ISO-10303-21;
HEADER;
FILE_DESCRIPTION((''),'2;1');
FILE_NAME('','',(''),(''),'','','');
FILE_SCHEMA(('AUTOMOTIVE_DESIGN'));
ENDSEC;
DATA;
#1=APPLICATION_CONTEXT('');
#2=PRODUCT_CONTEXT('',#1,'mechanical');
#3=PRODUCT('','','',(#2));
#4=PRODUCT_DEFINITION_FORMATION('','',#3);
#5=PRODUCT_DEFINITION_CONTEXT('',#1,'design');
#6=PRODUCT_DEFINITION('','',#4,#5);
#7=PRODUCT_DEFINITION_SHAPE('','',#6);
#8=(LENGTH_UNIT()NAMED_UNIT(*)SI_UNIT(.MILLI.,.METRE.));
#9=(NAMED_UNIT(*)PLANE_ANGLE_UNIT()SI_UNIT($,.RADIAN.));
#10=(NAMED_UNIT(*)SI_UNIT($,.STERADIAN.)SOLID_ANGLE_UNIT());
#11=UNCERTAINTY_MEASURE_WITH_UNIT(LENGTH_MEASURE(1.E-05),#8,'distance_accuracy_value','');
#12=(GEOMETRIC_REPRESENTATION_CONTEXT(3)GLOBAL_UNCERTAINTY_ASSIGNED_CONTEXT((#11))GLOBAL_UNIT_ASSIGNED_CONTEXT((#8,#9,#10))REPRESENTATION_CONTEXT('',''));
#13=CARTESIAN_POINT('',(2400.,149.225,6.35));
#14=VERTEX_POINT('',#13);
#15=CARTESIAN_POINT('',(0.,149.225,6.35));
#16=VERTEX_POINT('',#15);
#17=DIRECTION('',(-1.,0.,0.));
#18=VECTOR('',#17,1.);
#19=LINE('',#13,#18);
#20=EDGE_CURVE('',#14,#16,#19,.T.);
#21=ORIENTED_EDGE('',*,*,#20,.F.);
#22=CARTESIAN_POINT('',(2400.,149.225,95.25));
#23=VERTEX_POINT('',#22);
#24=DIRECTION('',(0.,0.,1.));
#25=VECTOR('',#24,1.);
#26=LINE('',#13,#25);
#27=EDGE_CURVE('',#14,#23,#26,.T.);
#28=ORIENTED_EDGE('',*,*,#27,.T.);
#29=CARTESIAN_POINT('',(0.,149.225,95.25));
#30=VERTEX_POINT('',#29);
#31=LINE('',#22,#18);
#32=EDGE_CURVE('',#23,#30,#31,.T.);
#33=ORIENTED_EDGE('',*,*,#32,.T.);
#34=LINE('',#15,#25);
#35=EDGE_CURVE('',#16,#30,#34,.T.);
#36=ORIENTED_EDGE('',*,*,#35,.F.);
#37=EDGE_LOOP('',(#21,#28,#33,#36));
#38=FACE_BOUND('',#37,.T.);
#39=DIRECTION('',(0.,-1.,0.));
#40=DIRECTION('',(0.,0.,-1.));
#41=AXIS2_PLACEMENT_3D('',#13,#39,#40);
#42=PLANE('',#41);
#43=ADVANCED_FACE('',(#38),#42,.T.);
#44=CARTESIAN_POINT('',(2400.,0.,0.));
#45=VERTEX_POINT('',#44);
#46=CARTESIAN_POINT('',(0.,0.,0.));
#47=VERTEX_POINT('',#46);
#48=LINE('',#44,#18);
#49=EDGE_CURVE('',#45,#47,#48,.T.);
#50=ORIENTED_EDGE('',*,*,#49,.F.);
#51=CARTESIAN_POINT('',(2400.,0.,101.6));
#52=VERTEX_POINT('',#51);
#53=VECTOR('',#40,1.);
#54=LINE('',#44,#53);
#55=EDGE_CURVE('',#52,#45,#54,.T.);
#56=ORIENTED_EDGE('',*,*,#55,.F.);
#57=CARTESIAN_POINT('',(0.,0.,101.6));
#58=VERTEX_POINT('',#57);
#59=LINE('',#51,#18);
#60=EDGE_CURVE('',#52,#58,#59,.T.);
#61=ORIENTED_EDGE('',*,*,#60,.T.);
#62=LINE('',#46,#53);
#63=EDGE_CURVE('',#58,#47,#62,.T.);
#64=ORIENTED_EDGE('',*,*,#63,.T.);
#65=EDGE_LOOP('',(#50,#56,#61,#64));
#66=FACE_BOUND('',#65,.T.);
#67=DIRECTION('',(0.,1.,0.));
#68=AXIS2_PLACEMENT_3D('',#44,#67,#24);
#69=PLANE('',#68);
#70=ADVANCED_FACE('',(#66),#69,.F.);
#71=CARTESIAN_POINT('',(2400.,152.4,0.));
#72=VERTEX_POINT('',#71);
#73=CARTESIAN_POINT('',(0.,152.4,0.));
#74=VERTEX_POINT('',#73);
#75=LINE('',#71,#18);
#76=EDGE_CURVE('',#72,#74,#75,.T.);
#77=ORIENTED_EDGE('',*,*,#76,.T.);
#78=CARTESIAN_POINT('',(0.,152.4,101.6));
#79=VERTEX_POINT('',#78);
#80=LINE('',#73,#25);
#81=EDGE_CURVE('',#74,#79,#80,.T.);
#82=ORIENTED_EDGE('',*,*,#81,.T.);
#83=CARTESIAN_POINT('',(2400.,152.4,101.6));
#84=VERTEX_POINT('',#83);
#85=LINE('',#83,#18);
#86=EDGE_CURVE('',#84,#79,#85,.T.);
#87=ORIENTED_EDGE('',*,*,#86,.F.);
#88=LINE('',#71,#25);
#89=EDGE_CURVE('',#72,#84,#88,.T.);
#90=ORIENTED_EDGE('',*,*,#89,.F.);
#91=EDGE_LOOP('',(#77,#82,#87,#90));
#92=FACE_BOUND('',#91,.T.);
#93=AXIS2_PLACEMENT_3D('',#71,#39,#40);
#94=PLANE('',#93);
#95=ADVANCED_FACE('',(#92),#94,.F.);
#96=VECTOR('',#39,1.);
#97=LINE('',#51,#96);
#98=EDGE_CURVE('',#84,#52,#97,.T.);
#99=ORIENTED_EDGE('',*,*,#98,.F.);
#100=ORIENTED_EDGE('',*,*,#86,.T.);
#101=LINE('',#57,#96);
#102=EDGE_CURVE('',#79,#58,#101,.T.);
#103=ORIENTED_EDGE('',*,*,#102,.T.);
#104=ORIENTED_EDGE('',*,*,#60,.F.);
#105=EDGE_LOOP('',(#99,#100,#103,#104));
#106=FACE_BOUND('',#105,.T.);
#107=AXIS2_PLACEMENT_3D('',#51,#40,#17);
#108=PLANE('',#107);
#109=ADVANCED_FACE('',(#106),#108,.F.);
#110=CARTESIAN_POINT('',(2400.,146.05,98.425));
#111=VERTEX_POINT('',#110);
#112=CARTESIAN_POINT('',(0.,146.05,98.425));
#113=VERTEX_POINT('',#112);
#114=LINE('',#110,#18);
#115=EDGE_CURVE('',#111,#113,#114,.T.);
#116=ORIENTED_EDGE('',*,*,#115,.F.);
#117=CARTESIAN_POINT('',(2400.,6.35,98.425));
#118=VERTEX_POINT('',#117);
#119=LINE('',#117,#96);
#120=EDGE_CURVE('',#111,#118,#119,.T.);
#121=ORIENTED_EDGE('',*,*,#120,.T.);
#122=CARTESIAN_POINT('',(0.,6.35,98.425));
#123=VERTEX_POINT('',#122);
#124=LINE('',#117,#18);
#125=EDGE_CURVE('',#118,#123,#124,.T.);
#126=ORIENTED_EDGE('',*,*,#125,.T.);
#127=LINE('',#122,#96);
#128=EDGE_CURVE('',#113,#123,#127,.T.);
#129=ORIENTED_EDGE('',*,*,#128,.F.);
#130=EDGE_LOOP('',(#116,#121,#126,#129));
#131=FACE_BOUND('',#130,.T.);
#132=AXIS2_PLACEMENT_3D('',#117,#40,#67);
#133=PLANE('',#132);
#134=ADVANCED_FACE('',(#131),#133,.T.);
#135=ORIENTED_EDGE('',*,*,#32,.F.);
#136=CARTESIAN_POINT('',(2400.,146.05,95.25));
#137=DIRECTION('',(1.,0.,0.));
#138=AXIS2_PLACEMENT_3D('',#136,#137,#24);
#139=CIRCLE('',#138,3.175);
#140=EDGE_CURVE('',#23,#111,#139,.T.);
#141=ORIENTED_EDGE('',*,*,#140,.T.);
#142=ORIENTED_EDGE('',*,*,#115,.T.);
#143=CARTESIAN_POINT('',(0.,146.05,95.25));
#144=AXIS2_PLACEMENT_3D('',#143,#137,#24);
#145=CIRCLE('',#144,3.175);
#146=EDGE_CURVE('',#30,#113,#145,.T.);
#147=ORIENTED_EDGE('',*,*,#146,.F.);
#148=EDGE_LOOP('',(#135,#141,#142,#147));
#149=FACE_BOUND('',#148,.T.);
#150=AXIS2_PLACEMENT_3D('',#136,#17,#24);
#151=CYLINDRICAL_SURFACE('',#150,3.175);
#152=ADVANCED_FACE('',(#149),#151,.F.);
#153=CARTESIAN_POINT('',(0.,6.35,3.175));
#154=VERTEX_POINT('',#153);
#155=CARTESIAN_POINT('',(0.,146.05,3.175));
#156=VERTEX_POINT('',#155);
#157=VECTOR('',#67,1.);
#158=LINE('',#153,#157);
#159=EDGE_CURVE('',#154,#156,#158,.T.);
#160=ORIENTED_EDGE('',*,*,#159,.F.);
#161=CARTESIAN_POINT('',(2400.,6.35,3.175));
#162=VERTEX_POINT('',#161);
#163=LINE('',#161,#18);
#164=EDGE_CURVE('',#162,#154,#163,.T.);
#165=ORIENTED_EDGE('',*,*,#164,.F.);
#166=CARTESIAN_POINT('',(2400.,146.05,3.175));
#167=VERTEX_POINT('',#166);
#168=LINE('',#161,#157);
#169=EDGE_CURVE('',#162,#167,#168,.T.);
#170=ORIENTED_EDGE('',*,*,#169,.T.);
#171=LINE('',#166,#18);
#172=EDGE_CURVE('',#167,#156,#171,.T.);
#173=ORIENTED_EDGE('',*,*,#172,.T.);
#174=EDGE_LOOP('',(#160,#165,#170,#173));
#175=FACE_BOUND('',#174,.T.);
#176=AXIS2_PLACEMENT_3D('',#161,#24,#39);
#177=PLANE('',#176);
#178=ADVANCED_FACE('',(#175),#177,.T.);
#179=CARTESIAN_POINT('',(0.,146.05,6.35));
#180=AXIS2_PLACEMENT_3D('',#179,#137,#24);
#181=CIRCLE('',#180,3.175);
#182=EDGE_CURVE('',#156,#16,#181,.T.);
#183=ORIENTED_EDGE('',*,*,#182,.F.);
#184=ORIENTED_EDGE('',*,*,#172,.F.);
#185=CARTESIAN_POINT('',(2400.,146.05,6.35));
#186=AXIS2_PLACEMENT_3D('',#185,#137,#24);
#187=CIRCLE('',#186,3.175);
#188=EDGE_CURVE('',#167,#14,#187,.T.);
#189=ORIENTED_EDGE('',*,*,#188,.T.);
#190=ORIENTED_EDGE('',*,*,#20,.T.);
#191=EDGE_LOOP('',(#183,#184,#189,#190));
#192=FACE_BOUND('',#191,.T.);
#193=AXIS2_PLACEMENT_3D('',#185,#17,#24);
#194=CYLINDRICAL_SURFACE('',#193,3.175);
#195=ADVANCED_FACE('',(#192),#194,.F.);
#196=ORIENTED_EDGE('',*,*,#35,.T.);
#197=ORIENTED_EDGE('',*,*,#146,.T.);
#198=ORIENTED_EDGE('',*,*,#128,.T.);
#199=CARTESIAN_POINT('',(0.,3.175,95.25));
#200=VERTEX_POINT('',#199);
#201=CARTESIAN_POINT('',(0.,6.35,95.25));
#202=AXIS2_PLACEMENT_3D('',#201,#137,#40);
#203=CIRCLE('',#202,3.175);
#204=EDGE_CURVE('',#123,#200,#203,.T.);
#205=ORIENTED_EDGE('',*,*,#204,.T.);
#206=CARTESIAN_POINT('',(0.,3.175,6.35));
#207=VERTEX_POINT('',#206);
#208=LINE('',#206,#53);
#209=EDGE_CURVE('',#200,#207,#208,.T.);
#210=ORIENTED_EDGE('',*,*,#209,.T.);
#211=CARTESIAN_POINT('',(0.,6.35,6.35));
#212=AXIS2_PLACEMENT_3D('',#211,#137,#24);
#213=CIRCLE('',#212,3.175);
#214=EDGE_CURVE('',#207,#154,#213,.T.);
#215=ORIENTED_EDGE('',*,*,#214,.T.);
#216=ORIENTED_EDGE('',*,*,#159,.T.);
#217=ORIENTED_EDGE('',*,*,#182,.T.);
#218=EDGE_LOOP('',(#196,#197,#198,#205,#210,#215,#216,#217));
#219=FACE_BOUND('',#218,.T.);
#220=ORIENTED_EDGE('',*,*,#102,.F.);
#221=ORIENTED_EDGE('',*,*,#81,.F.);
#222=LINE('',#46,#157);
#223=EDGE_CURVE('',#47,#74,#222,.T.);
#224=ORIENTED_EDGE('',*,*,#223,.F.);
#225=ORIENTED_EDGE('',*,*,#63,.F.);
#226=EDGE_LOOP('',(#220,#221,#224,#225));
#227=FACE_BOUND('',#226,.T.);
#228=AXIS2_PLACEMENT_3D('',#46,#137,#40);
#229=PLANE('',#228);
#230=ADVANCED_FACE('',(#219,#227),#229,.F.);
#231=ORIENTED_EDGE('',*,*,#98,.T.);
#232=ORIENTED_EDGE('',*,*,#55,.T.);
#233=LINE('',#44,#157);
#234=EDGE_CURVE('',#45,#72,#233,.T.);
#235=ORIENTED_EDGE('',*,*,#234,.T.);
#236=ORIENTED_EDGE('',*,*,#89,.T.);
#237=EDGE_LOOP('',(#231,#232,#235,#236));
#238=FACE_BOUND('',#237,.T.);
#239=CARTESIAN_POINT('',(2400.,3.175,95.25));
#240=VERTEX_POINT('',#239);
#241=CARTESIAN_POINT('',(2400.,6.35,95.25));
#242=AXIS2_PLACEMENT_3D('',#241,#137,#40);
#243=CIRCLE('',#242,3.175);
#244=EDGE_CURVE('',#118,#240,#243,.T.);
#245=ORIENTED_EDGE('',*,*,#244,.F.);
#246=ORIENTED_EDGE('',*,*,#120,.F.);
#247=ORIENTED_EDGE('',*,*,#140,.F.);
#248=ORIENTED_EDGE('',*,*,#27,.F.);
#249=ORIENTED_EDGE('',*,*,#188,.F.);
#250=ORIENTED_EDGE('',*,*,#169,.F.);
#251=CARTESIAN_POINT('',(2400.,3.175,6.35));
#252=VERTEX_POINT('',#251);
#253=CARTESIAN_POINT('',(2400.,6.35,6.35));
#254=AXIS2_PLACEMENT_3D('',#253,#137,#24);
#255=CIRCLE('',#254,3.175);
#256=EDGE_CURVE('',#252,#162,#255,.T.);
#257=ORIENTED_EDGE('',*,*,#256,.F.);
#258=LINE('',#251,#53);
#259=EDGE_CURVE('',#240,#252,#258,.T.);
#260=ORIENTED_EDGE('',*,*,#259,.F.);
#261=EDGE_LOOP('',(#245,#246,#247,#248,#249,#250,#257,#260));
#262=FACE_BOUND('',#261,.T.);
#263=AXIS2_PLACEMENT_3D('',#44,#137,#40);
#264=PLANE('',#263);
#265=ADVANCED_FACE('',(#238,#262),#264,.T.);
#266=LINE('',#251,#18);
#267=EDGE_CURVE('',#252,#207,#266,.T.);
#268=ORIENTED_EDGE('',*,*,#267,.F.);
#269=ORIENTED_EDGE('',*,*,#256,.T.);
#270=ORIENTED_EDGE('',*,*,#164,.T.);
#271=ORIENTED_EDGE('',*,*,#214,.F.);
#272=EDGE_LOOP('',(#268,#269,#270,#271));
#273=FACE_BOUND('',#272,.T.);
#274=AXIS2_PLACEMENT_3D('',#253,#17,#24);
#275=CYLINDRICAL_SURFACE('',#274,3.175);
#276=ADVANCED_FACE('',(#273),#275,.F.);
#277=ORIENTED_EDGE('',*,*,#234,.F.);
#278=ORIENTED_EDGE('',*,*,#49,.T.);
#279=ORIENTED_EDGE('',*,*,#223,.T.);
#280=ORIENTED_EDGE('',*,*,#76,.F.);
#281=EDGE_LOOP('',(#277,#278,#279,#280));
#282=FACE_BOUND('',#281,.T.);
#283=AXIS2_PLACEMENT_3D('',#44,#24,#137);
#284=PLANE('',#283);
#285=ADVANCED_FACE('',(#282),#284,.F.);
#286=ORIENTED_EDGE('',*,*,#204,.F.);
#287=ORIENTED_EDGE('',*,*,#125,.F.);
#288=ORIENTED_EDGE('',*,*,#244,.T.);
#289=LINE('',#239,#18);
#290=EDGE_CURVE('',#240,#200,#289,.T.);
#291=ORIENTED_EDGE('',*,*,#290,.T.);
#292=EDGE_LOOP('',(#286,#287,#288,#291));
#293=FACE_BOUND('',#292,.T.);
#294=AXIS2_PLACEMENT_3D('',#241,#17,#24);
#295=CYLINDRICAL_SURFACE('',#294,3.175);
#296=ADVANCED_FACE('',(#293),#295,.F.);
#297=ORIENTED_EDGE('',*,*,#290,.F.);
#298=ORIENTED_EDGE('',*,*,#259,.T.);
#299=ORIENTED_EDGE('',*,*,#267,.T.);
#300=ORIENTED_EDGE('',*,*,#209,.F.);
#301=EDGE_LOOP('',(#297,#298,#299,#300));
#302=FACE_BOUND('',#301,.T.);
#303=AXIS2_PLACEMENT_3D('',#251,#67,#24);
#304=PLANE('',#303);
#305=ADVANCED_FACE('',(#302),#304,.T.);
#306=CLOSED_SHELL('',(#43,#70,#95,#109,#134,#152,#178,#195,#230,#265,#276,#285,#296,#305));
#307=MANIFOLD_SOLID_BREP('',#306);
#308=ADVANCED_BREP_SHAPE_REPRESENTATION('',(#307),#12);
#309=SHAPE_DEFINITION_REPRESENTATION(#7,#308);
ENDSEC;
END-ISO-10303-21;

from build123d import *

# Parameters (mm, degrees)
SKETCH1_W           = 101.6
SKETCH1_H           = 152.4
BOSS_EXTRUDE1_DEPTH = 2400


with BuildPart() as part:
    # Sketch1 → Boss-Extrude1 (new body)
    with BuildSketch(Plane(origin=(0, 0, 0), x_dir=(0, 0, -1), z_dir=(1, 0, 0))):
        with Locations((-50.8, 76.2)):
            Rectangle(SKETCH1_W, SKETCH1_H)
        with BuildLine():
            Line((-98.425, 6.35), (-98.425, 146.05))
            ThreePointArc((-98.425, 146.05), (-97.49506403, 148.29506403), (-95.25, 149.225))
            Line((-95.25, 149.225), (-6.35, 149.225))
            ThreePointArc((-6.35, 149.225), (-4.10493597, 148.29506403), (-3.175, 146.05))
            Line((-3.175, 146.05), (-3.175, 6.35))
            ThreePointArc((-3.175, 6.35), (-4.10493597, 4.10493597), (-6.35, 3.175))
            Line((-6.35, 3.175), (-95.25, 3.175))
            ThreePointArc((-95.25, 3.175), (-97.49506403, 4.10493597), (-98.425, 6.35))
        make_face(mode=Mode.SUBTRACT)
    extrude(amount=BOSS_EXTRUDE1_DEPTH)


solid = part.part
